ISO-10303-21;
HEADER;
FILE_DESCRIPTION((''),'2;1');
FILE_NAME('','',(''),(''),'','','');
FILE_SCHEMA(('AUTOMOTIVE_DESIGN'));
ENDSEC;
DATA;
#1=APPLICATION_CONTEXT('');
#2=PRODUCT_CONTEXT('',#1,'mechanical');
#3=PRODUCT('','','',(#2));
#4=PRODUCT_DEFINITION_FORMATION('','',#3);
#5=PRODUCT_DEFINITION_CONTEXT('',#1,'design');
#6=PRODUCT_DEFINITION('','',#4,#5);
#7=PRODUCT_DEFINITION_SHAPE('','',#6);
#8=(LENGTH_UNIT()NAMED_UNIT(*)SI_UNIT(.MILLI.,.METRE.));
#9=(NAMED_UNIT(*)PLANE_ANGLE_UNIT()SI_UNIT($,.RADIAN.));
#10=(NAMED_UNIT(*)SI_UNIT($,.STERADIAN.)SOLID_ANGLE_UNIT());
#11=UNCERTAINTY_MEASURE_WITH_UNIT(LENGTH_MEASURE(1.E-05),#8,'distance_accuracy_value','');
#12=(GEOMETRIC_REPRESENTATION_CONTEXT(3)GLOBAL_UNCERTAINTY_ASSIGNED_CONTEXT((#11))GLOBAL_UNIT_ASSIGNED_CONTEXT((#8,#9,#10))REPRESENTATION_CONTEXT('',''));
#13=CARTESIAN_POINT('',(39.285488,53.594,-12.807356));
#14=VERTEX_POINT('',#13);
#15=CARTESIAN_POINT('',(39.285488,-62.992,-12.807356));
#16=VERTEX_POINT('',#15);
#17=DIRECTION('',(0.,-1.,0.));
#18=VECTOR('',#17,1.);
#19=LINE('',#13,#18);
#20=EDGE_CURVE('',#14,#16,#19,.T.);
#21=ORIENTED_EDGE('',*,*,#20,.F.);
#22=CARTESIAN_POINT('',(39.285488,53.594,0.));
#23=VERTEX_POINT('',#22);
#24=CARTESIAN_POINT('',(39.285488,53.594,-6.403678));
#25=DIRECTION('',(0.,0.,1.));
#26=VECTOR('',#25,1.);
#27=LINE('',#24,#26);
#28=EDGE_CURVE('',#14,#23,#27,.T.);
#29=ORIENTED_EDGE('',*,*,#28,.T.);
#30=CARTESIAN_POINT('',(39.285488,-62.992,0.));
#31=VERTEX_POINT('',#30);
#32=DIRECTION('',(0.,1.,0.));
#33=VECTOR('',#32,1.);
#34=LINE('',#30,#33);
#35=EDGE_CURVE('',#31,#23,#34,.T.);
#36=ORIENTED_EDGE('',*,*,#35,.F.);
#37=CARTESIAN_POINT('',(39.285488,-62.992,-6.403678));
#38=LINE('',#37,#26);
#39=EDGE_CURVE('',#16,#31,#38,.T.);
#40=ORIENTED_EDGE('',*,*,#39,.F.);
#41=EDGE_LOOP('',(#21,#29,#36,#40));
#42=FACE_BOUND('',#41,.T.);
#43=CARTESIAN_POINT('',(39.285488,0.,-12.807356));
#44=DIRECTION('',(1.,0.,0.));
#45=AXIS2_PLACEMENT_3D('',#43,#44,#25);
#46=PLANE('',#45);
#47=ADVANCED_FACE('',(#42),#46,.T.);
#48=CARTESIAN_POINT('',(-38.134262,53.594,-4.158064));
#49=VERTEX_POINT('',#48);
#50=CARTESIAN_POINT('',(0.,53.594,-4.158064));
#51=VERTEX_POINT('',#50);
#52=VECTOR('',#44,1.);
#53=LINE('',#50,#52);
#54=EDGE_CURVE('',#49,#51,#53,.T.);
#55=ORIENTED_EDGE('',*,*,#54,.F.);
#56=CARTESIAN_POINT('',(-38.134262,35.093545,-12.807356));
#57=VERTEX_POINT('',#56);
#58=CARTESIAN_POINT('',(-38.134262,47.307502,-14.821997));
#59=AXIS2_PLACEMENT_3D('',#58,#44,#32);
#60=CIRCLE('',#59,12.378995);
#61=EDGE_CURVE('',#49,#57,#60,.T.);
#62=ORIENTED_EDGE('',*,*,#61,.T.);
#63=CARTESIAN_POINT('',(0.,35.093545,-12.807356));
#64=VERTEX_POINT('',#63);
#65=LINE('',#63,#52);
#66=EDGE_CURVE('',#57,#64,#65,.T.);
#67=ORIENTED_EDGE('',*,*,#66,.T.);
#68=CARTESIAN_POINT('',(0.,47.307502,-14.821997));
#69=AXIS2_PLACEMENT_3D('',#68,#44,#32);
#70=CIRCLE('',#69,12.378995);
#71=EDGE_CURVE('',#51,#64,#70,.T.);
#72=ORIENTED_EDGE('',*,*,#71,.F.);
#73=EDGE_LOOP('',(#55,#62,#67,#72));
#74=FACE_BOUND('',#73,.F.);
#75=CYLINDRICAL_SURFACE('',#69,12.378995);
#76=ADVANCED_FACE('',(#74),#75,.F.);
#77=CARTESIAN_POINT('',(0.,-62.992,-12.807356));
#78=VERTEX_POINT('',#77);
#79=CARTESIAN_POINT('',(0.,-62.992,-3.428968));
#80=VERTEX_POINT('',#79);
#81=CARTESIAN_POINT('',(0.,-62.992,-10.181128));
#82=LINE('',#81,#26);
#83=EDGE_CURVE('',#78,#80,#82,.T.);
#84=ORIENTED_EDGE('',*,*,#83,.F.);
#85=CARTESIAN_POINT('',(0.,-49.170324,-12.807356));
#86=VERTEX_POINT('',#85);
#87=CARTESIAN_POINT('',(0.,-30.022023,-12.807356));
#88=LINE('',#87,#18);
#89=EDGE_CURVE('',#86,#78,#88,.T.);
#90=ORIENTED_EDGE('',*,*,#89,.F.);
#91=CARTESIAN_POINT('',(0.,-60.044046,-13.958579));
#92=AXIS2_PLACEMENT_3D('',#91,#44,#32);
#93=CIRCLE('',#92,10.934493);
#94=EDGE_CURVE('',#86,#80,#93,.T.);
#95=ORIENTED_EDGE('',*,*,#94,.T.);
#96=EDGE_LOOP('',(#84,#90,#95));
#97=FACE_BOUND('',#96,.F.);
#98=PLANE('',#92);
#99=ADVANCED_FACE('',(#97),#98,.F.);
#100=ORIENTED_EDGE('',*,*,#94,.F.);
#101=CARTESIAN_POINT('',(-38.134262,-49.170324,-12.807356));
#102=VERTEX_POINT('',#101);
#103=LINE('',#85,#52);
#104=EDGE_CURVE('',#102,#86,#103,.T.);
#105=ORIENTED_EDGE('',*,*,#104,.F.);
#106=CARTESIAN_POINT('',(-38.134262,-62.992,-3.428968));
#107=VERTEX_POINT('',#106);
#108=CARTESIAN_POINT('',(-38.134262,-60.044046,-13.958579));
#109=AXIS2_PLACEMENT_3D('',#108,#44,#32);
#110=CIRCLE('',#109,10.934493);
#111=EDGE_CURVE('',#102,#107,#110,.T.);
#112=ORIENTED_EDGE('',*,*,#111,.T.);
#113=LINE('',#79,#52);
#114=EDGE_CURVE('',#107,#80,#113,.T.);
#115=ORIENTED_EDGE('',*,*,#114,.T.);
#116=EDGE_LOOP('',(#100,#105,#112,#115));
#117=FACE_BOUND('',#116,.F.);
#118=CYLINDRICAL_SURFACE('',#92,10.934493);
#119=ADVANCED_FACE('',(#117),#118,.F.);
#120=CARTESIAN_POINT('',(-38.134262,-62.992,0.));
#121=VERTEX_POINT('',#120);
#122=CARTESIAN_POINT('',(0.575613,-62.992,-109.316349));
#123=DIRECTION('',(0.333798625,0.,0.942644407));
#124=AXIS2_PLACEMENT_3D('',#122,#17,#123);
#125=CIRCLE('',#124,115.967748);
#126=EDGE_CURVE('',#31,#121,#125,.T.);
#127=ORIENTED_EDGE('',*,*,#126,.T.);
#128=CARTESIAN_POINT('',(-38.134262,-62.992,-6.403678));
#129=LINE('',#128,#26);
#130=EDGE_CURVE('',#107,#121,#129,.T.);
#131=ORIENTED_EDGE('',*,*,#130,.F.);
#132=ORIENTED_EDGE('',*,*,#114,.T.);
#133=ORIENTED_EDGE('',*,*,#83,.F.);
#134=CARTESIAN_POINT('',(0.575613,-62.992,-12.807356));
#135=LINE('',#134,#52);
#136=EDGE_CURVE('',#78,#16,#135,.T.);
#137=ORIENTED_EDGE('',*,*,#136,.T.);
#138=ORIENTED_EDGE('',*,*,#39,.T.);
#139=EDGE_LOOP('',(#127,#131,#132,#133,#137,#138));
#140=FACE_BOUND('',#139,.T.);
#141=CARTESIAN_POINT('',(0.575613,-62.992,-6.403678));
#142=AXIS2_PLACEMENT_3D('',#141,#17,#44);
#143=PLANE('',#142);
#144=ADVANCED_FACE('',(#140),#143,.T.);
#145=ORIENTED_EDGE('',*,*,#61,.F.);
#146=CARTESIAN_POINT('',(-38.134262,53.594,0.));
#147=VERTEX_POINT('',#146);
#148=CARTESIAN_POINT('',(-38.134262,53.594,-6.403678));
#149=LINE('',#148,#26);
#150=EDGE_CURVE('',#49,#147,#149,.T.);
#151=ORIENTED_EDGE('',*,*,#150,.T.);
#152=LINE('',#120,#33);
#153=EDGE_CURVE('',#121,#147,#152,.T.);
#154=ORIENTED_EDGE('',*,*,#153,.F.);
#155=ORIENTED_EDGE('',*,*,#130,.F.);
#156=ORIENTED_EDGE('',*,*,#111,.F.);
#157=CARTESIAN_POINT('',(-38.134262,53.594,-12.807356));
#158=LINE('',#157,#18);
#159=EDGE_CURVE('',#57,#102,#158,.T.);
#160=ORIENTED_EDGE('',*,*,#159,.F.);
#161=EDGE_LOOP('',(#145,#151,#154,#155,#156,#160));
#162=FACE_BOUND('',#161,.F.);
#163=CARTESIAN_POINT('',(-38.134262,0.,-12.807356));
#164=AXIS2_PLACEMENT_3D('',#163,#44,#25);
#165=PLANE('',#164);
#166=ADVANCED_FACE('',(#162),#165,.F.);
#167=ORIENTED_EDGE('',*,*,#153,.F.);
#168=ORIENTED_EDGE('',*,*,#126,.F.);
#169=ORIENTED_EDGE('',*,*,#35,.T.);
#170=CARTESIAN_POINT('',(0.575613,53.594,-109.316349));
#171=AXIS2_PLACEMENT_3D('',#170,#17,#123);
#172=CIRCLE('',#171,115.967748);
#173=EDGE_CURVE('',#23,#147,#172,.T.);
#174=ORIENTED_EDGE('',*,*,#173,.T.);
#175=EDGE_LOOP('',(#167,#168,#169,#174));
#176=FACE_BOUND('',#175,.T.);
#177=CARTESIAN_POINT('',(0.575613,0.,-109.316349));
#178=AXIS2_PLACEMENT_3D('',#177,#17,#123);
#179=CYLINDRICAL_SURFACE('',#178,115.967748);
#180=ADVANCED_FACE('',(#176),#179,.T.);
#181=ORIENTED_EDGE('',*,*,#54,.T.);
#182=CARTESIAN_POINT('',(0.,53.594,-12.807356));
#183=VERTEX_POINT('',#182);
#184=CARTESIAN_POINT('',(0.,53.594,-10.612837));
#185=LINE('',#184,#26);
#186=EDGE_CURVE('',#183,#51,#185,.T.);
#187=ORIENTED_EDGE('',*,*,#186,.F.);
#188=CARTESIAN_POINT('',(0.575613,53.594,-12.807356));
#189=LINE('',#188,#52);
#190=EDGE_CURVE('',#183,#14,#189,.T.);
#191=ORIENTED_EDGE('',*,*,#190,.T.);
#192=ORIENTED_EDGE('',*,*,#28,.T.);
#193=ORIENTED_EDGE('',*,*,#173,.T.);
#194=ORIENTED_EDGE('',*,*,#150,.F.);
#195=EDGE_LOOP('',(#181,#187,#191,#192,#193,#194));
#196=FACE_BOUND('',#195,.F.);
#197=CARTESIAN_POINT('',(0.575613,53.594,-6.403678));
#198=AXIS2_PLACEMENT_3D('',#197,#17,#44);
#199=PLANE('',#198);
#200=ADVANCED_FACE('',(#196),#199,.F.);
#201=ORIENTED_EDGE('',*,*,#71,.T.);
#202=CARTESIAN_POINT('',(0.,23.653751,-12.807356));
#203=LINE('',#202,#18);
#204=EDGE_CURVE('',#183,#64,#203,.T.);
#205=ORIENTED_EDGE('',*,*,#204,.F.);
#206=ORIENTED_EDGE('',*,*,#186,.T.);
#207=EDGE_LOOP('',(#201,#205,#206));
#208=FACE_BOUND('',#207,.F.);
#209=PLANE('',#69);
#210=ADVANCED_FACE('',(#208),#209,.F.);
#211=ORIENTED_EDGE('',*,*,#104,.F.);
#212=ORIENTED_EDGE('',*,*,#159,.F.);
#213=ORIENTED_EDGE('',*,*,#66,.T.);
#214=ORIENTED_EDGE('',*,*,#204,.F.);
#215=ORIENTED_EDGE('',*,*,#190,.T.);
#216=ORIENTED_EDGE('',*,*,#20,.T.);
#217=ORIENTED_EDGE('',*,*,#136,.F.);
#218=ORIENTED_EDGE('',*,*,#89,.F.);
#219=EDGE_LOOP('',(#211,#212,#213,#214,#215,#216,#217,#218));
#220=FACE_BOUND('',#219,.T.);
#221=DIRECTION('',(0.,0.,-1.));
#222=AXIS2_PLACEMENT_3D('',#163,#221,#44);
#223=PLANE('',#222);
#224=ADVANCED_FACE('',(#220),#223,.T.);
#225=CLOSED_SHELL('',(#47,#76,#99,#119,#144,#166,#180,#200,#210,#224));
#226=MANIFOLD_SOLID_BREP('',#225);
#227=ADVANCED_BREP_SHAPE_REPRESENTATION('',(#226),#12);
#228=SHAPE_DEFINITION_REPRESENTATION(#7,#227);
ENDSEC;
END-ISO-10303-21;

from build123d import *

# Parameters (mm, degrees)
F0_W          = 77.41975
F0_H          = 12.807356
F1_DEPTH      = 62.992
F1_DEPTH_BACK = 53.594
F2_R          = 10.934493
F2_R_2        = 12.378995
F3_DEPTH      = 46.99


with BuildPart() as f1:
    # F0 (on Front) → F1 (new body, two sides)
    with BuildSketch(Plane.XZ) as f1_sk:
        with Locations((0.575613, -6.403678)):
            Rectangle(F0_W, F0_H)
        with BuildLine():
            ThreePointArc((39.285488, 0), (0.575613, 6.651399), (-38.134262, 0))
            Line((-38.134262, 0), (39.285488, 0))
        make_face()
    extrude(amount=F1_DEPTH)
    extrude(f1_sk.sketch, amount=-F1_DEPTH_BACK)

    # F2 (on Right) → F3 (cut)
    with BuildSketch(Plane.YZ):
        with Locations((-60.044046, -13.958579)):
            Circle(F2_R)
        with Locations((47.307502, -14.821997)):
            Circle(F2_R_2)
    extrude(amount=-F3_DEPTH, mode=Mode.SUBTRACT)


solid = f1.part
